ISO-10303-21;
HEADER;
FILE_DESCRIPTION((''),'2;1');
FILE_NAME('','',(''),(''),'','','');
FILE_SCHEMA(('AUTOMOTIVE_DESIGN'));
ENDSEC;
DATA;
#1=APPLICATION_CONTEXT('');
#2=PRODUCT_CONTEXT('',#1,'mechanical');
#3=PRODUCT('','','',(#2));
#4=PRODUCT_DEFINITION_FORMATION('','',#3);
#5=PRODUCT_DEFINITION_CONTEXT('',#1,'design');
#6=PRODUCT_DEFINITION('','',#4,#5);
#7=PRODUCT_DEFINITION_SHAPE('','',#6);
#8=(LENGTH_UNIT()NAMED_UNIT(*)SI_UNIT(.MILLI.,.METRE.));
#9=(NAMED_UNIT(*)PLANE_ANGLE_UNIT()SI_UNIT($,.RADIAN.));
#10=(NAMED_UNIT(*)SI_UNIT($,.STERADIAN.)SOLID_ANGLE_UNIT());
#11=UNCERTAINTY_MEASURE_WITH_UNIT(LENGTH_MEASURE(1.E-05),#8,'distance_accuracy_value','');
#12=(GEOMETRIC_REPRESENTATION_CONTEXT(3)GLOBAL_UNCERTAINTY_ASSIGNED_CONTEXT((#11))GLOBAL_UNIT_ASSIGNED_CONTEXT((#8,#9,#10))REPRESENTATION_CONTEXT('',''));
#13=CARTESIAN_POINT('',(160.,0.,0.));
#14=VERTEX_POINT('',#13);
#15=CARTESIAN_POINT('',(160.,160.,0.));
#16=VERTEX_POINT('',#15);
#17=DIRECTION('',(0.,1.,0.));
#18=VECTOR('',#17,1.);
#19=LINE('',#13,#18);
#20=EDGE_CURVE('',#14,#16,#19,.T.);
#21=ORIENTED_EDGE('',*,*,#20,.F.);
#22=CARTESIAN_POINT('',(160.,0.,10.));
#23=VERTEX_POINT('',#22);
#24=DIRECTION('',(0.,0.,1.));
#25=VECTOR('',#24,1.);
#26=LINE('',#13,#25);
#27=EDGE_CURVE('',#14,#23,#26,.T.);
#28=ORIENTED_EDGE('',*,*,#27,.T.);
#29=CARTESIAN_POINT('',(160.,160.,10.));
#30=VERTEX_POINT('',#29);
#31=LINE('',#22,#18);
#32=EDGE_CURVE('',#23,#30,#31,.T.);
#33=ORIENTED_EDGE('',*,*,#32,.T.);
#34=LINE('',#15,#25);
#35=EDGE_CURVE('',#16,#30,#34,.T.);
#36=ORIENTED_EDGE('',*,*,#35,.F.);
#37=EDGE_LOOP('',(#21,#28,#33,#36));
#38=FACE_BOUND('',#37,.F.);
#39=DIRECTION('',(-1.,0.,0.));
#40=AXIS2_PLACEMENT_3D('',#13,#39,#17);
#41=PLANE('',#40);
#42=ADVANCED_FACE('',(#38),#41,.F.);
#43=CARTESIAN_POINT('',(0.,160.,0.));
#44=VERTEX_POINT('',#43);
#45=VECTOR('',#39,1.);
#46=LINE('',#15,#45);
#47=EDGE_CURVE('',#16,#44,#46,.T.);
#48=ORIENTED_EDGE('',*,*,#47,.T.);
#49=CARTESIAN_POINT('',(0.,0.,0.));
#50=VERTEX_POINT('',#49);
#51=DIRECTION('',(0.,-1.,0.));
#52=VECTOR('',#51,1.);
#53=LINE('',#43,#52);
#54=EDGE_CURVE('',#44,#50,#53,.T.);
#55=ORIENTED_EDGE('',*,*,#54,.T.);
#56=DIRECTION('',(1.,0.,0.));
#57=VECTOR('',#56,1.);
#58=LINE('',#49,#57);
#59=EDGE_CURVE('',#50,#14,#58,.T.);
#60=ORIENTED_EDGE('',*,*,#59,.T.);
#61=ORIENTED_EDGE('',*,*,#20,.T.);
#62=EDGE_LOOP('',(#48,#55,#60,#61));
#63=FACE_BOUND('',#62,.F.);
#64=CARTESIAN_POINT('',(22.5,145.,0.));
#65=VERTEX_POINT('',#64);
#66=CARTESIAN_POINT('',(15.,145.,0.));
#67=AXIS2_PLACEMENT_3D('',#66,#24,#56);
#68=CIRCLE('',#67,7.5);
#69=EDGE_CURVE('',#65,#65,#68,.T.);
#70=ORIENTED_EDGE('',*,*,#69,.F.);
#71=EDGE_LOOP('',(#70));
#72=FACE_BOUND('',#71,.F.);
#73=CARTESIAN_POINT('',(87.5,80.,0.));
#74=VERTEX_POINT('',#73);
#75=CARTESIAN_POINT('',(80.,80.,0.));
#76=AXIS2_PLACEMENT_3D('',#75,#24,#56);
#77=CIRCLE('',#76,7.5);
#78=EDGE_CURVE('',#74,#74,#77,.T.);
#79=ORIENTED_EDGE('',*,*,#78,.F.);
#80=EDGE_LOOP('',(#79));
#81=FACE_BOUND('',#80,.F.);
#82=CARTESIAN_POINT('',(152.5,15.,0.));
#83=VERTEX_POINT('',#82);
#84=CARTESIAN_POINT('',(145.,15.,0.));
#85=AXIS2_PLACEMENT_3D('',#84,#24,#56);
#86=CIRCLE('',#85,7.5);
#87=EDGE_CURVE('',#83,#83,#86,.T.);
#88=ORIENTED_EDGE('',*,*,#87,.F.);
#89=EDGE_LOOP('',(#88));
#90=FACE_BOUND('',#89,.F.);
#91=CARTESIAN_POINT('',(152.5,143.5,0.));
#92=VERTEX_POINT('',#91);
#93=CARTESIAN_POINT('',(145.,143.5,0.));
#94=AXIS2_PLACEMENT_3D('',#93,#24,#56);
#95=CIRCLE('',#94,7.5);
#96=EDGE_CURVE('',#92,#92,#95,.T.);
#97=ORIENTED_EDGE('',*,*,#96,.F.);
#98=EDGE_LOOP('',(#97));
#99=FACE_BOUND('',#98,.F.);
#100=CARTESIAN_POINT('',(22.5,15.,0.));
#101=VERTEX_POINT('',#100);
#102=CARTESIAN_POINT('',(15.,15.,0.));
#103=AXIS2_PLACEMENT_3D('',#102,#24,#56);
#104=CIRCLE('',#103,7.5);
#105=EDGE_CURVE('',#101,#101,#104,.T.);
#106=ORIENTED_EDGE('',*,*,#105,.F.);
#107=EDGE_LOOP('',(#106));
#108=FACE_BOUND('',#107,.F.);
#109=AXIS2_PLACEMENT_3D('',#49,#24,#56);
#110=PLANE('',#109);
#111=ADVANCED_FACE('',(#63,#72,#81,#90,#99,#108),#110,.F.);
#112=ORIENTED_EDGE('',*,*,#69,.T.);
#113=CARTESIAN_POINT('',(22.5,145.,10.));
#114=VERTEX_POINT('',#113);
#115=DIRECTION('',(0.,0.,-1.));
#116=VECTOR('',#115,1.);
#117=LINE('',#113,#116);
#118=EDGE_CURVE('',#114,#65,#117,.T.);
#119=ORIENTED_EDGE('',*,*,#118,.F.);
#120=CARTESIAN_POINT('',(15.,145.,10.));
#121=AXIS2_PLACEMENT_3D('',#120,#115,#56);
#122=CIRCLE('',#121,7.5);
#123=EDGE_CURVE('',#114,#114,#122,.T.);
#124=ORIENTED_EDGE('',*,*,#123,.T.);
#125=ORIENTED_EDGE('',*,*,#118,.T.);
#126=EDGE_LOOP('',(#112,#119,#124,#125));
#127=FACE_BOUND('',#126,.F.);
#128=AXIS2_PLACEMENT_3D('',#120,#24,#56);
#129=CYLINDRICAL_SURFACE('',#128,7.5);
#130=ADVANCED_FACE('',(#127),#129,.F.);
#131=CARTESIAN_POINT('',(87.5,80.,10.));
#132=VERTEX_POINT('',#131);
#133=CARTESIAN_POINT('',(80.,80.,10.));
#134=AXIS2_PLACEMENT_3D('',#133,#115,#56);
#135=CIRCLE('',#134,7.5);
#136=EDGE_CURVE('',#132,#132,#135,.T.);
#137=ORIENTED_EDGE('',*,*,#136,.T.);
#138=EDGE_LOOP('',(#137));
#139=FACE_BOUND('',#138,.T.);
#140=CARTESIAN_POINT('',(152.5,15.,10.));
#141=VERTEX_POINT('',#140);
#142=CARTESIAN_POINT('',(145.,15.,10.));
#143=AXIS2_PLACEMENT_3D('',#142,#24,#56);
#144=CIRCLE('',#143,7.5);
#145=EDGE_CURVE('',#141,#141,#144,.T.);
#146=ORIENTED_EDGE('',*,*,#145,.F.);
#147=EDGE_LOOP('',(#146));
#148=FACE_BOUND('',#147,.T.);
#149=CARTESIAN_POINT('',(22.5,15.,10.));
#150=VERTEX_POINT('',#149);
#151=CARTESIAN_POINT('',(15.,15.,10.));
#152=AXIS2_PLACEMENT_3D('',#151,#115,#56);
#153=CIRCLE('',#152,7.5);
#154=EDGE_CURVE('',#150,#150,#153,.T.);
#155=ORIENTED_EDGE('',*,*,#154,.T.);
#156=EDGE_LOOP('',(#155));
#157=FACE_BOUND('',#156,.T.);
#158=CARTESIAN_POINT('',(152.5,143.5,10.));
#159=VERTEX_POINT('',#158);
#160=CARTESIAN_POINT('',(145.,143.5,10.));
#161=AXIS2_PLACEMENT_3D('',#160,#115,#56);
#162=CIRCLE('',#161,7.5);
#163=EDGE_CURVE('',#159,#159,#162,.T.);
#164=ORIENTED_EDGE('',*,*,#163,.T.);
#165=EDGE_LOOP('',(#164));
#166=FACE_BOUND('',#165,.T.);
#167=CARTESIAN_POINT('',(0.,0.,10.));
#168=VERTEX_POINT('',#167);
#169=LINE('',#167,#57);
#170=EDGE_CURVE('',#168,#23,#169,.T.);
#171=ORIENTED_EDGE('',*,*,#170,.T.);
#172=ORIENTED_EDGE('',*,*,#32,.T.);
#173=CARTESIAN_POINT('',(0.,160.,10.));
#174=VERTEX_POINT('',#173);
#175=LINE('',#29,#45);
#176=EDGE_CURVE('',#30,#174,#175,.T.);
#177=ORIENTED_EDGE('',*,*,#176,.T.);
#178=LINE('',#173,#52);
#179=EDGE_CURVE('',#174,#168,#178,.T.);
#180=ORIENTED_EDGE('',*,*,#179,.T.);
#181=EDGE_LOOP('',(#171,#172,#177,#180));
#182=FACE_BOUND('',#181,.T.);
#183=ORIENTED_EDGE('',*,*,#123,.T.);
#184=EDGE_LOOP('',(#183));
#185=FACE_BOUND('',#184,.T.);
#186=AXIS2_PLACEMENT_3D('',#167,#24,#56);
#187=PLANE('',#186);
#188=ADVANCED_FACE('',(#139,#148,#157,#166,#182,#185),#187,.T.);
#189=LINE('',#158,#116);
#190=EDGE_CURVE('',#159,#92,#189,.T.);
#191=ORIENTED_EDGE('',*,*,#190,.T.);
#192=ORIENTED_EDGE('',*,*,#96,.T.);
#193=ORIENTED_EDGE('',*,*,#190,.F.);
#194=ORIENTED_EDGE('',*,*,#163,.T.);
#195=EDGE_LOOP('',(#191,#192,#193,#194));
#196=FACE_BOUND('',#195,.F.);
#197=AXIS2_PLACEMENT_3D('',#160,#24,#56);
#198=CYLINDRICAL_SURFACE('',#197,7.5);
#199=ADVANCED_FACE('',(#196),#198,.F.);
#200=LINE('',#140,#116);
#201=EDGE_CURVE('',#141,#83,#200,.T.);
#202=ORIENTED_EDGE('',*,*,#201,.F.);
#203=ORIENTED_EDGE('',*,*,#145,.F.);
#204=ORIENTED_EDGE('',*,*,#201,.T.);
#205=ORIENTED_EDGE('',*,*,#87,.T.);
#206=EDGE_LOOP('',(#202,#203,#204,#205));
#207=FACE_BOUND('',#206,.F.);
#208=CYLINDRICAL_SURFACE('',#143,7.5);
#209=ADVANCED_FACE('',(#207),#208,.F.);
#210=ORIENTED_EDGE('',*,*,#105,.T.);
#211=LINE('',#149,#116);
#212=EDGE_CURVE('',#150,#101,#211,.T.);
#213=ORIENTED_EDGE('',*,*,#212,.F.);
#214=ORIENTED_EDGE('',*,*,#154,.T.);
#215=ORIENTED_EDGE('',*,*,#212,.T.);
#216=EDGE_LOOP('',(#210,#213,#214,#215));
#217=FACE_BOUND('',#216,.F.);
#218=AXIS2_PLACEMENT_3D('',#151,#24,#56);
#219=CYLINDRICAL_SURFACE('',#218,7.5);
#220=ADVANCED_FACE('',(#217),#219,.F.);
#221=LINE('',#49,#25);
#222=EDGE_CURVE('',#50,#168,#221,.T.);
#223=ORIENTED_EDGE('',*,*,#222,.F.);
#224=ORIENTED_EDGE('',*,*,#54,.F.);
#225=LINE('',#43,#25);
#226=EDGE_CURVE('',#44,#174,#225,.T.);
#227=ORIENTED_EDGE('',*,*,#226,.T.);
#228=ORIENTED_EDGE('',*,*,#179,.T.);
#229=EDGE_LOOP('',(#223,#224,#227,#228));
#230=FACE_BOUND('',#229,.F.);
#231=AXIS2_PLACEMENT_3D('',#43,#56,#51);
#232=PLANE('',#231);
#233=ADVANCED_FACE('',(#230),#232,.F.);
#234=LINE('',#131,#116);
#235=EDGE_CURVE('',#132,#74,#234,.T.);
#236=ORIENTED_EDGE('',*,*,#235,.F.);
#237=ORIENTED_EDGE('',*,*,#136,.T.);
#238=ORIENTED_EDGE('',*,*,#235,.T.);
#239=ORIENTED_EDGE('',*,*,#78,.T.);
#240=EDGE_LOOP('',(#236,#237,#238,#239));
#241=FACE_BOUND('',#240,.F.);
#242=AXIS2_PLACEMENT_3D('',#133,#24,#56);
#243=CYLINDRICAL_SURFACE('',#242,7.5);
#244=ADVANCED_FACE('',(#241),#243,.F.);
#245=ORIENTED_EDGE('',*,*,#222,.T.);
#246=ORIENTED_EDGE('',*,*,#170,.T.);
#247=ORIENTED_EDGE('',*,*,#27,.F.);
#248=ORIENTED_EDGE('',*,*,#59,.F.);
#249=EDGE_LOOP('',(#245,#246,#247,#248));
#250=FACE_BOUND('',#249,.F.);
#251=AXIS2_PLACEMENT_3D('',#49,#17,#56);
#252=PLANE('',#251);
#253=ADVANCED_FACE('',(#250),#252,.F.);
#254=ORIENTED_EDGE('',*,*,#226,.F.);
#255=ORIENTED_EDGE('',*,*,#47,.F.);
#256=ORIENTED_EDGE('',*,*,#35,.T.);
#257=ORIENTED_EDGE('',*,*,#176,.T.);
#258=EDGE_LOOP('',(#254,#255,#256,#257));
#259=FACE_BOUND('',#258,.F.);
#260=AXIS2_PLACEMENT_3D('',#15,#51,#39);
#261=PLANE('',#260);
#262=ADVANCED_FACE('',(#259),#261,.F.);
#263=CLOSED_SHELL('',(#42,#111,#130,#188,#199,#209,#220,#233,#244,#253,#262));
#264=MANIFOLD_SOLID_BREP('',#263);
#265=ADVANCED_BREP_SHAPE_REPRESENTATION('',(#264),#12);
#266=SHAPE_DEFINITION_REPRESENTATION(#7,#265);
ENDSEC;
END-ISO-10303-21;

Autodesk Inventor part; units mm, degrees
ref_plane "YZ Plane" through (0, 0, 0) normal (1, 0, 0) x (0, 1, 0)
ref_plane "XZ Plane" through (0, 0, 0) normal (0, 1, 0) x (-1, 0, 0)
ref_plane "XY Plane" through (0, 0, 0) normal (0, 0, 1) x (1, 0, 0)
sketch "Sketch1" plane through (0, 0, 0) normal (0, 0, 1) x (1, 0, 0)
  line L0 (0, 0) -> (160, 0)
  line L1 (160, 0) -> (160, 160)
  line L2 (160, 160) -> (0, 160)
  line L3 (0, 160) -> (0, 0)
  dimension "d0" = 160
  dimension "d1" = 160
extrude "Extrusion1" add sketch "Sketch1" along normal blind 10
sketch "Sketch2" plane through (0, 0, 10) normal (0, 0, 1) x (1, 0, 0)
  line L0 (0, 0) -> (160, 0) projected
  line L1 (0, 0) -> (15, 0)
  line L2 (15, 0) -> (15, 15)
  line L3 (160, 160) -> (0, 160) projected
  line L4 (0, 160) -> (15, 160)
  line L5 (15, 160) -> (15, 145)
  line L6 (160, 0) -> (160, 160) projected
  line L7 (160, 160) -> (145, 160)
  line L8 (145, 160) -> (145, 143.5)
  line L9 (160, 0) -> (160, 15)
  line L10 (160, 15) -> (145, 15)
  circle A0 centre (15, 145) radius 7.5
  circle A1 centre (145, 143.5) radius 7.5
  circle A2 centre (145, 15) radius 7.5
  circle A3 centre (15, 15) radius 7.5
  dimension "d4" = 15
  dimension "d5" = 15
  dimension "d6" = 15
  dimension "d7" = 15
  dimension "d8" = 15
  dimension "d9" = 16.5
  dimension "d10" = 15
  dimension "d11" = 15
  dimension "d12" = 15
  dimension "d13" = 15
  dimension "d14" = 15
  dimension "d15" = 15
extrude "Extrusion2" cut sketch "Sketch2" against normal blind 10
sketch "Sketch3" plane through (0, 0, 10) normal (0, 0, 1) x (1, 0, 0)
  line L0 (0, 160) -> (0, 0) projected
  line L1 (0, 0) -> (80, 0)
  line L2 (0, 0) -> (160, 0) projected
  line L3 (80, 0) -> (0, 0)
  line L4 (0, 0) -> (80, 0)
  dimension "d18" = 80
  dimension "d19" = 80
  dimension "d20" = 80
sketch "Sketch4" plane through (0, 0, 10) normal (0, 0, 1) x (1, 0, 0)
  line L0 (0, 0) -> (0, 80)
  line L1 (0, 160) -> (0, 0) projected
  line L2 (0, 80) -> (80, 80)
  circle A0 centre (80, 80) radius 7.5
  dimension "d21" = 80
  dimension "d22" = 80
  dimension "d23" = 15
extrude "Extrusion3" cut sketch "Sketch4" against normal blind 10
properties part number "106"
